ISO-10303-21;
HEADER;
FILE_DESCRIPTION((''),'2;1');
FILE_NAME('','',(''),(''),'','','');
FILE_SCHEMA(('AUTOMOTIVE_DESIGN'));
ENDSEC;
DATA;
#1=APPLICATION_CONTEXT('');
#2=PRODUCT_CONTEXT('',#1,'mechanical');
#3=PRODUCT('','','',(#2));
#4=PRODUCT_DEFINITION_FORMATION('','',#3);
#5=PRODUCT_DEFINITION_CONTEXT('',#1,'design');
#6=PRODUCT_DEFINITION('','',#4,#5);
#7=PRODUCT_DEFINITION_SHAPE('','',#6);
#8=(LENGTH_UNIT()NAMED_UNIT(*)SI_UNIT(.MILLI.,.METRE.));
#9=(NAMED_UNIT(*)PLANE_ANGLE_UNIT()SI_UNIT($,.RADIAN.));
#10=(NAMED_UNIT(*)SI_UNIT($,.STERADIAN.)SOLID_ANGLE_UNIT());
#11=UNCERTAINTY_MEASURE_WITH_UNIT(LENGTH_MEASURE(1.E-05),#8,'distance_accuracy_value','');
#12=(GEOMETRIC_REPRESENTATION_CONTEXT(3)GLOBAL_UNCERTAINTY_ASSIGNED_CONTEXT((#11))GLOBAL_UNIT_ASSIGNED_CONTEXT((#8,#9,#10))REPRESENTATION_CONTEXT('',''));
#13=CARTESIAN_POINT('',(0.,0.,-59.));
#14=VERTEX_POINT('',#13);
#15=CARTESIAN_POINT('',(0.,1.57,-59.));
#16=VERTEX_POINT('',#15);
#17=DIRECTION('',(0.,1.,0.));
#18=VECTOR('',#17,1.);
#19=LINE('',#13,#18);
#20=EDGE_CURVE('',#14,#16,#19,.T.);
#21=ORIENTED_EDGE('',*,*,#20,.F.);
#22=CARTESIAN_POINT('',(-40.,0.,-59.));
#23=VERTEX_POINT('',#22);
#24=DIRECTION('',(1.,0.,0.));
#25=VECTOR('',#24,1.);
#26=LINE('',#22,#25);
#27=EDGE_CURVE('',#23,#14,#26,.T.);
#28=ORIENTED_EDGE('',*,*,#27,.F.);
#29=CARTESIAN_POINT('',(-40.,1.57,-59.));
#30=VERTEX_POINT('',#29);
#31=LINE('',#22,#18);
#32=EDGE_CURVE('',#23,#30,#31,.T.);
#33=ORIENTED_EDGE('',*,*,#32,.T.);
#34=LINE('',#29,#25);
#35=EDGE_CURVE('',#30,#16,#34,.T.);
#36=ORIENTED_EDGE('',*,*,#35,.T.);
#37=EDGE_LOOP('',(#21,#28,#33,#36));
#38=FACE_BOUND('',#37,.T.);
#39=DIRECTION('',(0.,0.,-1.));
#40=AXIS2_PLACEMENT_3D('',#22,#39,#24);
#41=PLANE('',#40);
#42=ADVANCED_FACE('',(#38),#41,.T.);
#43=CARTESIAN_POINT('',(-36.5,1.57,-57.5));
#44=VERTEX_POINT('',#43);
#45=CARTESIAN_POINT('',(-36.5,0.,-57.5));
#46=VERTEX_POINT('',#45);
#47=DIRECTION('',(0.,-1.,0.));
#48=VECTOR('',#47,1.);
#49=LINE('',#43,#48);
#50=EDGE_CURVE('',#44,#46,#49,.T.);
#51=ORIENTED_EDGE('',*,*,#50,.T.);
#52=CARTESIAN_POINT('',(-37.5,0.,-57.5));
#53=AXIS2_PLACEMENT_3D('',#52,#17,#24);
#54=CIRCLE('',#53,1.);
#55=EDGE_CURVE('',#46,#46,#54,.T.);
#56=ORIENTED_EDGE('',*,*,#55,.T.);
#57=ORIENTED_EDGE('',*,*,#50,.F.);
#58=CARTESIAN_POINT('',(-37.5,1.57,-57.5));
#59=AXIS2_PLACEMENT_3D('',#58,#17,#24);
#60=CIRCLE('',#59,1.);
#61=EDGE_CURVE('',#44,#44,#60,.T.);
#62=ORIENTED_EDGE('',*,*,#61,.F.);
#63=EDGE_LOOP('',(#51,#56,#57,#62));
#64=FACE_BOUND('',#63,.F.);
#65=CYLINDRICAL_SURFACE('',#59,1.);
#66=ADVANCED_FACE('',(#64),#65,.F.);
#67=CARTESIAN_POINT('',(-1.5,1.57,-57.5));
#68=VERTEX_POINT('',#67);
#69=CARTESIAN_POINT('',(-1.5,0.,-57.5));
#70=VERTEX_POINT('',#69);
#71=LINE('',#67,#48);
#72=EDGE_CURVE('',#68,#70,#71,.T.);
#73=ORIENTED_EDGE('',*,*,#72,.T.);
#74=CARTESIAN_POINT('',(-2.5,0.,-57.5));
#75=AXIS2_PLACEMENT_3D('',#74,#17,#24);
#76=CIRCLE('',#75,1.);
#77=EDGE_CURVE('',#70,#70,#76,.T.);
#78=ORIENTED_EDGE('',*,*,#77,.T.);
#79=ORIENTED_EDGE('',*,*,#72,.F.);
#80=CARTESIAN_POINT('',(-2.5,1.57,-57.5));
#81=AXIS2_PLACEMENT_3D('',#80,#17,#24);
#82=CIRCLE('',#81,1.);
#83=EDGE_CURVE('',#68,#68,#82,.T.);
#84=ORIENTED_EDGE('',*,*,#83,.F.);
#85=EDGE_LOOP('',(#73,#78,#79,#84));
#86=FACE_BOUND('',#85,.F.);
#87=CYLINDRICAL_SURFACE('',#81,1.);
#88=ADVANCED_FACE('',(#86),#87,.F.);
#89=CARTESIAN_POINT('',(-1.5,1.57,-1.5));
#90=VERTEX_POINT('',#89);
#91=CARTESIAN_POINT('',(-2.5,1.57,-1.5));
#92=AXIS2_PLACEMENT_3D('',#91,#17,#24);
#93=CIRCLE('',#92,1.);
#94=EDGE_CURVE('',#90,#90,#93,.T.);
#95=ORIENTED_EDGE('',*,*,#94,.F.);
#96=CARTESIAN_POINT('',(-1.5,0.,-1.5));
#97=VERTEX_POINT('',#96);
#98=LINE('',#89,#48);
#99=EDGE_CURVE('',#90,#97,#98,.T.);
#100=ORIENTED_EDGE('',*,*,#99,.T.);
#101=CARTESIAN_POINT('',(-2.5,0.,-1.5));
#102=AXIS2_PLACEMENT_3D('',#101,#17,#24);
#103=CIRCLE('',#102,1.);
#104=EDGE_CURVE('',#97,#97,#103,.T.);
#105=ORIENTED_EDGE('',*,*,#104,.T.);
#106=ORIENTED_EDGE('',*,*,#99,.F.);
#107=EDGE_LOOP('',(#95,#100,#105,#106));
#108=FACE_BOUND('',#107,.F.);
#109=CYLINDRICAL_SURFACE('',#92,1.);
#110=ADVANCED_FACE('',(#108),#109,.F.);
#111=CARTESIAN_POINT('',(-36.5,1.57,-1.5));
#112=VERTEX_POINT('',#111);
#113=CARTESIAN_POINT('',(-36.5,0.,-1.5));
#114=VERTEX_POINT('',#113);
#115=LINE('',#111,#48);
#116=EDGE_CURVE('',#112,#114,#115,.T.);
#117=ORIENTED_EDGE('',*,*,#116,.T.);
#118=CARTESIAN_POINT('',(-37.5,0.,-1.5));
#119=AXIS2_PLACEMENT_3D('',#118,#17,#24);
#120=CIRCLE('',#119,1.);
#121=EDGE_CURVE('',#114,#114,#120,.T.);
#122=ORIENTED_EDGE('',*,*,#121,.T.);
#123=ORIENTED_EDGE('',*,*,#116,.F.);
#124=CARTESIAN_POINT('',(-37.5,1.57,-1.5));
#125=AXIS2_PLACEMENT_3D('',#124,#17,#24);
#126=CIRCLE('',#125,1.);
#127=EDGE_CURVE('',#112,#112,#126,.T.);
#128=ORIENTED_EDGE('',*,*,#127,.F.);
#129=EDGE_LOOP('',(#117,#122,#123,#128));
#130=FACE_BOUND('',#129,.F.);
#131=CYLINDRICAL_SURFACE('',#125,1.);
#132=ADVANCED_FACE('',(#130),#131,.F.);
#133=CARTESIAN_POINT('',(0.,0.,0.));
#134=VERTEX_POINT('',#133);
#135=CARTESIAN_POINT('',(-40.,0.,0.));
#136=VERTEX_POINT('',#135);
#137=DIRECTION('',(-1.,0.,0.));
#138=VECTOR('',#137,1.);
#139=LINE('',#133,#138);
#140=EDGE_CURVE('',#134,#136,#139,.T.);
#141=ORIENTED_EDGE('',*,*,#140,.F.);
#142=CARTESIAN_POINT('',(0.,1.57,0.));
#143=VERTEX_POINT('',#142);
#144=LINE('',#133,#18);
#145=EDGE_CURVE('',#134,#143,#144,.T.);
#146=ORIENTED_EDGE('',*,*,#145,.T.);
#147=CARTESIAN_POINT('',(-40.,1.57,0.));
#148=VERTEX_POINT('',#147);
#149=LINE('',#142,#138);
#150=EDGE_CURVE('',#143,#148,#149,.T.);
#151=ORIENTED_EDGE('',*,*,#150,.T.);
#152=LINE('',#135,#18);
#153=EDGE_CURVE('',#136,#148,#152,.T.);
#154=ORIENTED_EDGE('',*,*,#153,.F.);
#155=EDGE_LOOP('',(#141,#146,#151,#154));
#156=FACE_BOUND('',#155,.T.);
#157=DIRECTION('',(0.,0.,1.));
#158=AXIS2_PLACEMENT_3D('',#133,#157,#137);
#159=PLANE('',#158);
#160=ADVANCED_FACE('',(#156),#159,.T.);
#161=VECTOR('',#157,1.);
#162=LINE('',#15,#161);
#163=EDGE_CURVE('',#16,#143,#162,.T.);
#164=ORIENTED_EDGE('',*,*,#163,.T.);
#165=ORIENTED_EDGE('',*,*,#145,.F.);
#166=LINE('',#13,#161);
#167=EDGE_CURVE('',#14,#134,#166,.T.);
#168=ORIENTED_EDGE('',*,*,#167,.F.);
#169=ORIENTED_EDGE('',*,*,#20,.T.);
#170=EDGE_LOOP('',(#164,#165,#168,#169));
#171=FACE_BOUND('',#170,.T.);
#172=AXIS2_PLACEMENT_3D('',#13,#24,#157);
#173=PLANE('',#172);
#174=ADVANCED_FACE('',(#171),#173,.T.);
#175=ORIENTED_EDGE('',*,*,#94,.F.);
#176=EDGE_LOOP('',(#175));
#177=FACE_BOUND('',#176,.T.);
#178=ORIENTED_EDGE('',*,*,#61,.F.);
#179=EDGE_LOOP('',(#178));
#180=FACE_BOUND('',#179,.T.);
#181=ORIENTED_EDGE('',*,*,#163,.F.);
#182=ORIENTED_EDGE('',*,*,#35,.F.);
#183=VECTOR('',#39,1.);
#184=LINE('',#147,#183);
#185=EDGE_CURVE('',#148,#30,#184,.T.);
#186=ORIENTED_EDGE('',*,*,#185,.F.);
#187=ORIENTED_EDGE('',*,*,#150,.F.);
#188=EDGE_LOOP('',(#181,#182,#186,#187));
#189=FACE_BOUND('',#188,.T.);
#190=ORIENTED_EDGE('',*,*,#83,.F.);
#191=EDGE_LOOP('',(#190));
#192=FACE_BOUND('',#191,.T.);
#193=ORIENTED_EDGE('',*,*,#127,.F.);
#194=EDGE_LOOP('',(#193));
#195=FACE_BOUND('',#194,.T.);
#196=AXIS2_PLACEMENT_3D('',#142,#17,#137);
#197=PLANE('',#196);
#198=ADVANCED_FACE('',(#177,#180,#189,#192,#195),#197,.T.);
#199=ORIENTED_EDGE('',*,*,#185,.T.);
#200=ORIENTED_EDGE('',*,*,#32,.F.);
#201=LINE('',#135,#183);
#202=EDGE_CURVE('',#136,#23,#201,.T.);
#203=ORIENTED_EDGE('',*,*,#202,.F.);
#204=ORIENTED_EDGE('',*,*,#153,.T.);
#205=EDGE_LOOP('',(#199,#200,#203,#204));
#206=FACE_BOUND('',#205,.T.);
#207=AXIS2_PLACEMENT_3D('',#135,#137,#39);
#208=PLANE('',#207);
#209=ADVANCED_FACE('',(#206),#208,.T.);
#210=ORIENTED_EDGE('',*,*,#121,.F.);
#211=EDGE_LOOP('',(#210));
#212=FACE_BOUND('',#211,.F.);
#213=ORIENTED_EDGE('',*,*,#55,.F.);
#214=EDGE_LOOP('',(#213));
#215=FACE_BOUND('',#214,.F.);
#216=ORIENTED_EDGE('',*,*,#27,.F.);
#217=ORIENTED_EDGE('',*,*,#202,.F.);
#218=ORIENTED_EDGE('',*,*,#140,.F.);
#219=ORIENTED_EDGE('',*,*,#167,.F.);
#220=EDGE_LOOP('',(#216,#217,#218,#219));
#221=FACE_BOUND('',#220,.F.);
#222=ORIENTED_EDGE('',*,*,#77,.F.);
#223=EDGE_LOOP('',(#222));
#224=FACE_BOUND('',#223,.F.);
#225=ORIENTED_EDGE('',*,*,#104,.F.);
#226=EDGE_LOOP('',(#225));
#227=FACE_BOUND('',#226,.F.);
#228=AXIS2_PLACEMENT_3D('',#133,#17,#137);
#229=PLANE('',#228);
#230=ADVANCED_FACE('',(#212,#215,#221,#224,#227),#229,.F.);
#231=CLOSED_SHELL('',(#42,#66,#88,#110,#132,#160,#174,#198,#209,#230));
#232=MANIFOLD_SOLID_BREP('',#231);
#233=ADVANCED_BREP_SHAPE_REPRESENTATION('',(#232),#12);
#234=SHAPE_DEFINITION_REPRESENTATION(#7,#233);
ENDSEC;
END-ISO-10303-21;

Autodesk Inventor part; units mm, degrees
ref_plane "YZ Plane" through (0, 0, 0) normal (1, 0, 0) x (0, 1, 0)
ref_plane "XZ Plane" through (0, 0, 0) normal (0, 1, 0) x (-1, 0, 0)
ref_plane "XY Plane" through (0, 0, 0) normal (0, 0, 1) x (1, 0, 0)
sketch "Sketch1" plane through (0, 0, 0) normal (0, 1, 0) x (-1, 0, 0)
  line L0 (0, 0) -> (40, 0)
  line L1 (40, 0) -> (40, -59)
  line L2 (40, -59) -> (0, -59)
  line L3 (0, -59) -> (0, 0)
  dimension "d0" = 40
  dimension "d1" = 59
extrude "Extrusion1" add sketch "Sketch1" along normal blind 1.57
sketch "Sketch2" plane through (0, 1.57, 0) normal (0, 1, 0) x (1, 0, 0)
  circle A0 centre (-37.5, 1.5) radius 1
  line L0 (-40, 59) -> (-40, 0) projected
  line L1 (-40, 0) -> (0, 0) projected
  line L2 (0, 59) -> (-40, 59) projected
  line L3 (-40, 59) -> (-40, 0) projected
  line L4 (-40, 0) -> (0, 0) projected
  line L5 (0, 0) -> (0, 59) projected
  line L6 (0, 0) -> (0, 59) projected
  line L7 (0, 59) -> (-40, 59) projected
  line L8 (0, 29.5) -> (-40, 29.5)
  line L9 (-20, 0) -> (-20, 59)
  circle A1 centre (-37.5, 57.5) radius 1
  circle A2 centre (-2.5, 1.5) radius 1
  circle A3 centre (-2.5, 57.5) radius 1
  dimension "d4" = 2
  dimension "d5" = 2.5
  dimension "d6" = 1.5
extrude "Extrusion2" cut sketch "Sketch2" against normal blind 2 contours A0 | A1 | A2 | A3
equation "\"d7\" = d4"
properties part number "pcb sola" material "Steel, Mild, Welded"
